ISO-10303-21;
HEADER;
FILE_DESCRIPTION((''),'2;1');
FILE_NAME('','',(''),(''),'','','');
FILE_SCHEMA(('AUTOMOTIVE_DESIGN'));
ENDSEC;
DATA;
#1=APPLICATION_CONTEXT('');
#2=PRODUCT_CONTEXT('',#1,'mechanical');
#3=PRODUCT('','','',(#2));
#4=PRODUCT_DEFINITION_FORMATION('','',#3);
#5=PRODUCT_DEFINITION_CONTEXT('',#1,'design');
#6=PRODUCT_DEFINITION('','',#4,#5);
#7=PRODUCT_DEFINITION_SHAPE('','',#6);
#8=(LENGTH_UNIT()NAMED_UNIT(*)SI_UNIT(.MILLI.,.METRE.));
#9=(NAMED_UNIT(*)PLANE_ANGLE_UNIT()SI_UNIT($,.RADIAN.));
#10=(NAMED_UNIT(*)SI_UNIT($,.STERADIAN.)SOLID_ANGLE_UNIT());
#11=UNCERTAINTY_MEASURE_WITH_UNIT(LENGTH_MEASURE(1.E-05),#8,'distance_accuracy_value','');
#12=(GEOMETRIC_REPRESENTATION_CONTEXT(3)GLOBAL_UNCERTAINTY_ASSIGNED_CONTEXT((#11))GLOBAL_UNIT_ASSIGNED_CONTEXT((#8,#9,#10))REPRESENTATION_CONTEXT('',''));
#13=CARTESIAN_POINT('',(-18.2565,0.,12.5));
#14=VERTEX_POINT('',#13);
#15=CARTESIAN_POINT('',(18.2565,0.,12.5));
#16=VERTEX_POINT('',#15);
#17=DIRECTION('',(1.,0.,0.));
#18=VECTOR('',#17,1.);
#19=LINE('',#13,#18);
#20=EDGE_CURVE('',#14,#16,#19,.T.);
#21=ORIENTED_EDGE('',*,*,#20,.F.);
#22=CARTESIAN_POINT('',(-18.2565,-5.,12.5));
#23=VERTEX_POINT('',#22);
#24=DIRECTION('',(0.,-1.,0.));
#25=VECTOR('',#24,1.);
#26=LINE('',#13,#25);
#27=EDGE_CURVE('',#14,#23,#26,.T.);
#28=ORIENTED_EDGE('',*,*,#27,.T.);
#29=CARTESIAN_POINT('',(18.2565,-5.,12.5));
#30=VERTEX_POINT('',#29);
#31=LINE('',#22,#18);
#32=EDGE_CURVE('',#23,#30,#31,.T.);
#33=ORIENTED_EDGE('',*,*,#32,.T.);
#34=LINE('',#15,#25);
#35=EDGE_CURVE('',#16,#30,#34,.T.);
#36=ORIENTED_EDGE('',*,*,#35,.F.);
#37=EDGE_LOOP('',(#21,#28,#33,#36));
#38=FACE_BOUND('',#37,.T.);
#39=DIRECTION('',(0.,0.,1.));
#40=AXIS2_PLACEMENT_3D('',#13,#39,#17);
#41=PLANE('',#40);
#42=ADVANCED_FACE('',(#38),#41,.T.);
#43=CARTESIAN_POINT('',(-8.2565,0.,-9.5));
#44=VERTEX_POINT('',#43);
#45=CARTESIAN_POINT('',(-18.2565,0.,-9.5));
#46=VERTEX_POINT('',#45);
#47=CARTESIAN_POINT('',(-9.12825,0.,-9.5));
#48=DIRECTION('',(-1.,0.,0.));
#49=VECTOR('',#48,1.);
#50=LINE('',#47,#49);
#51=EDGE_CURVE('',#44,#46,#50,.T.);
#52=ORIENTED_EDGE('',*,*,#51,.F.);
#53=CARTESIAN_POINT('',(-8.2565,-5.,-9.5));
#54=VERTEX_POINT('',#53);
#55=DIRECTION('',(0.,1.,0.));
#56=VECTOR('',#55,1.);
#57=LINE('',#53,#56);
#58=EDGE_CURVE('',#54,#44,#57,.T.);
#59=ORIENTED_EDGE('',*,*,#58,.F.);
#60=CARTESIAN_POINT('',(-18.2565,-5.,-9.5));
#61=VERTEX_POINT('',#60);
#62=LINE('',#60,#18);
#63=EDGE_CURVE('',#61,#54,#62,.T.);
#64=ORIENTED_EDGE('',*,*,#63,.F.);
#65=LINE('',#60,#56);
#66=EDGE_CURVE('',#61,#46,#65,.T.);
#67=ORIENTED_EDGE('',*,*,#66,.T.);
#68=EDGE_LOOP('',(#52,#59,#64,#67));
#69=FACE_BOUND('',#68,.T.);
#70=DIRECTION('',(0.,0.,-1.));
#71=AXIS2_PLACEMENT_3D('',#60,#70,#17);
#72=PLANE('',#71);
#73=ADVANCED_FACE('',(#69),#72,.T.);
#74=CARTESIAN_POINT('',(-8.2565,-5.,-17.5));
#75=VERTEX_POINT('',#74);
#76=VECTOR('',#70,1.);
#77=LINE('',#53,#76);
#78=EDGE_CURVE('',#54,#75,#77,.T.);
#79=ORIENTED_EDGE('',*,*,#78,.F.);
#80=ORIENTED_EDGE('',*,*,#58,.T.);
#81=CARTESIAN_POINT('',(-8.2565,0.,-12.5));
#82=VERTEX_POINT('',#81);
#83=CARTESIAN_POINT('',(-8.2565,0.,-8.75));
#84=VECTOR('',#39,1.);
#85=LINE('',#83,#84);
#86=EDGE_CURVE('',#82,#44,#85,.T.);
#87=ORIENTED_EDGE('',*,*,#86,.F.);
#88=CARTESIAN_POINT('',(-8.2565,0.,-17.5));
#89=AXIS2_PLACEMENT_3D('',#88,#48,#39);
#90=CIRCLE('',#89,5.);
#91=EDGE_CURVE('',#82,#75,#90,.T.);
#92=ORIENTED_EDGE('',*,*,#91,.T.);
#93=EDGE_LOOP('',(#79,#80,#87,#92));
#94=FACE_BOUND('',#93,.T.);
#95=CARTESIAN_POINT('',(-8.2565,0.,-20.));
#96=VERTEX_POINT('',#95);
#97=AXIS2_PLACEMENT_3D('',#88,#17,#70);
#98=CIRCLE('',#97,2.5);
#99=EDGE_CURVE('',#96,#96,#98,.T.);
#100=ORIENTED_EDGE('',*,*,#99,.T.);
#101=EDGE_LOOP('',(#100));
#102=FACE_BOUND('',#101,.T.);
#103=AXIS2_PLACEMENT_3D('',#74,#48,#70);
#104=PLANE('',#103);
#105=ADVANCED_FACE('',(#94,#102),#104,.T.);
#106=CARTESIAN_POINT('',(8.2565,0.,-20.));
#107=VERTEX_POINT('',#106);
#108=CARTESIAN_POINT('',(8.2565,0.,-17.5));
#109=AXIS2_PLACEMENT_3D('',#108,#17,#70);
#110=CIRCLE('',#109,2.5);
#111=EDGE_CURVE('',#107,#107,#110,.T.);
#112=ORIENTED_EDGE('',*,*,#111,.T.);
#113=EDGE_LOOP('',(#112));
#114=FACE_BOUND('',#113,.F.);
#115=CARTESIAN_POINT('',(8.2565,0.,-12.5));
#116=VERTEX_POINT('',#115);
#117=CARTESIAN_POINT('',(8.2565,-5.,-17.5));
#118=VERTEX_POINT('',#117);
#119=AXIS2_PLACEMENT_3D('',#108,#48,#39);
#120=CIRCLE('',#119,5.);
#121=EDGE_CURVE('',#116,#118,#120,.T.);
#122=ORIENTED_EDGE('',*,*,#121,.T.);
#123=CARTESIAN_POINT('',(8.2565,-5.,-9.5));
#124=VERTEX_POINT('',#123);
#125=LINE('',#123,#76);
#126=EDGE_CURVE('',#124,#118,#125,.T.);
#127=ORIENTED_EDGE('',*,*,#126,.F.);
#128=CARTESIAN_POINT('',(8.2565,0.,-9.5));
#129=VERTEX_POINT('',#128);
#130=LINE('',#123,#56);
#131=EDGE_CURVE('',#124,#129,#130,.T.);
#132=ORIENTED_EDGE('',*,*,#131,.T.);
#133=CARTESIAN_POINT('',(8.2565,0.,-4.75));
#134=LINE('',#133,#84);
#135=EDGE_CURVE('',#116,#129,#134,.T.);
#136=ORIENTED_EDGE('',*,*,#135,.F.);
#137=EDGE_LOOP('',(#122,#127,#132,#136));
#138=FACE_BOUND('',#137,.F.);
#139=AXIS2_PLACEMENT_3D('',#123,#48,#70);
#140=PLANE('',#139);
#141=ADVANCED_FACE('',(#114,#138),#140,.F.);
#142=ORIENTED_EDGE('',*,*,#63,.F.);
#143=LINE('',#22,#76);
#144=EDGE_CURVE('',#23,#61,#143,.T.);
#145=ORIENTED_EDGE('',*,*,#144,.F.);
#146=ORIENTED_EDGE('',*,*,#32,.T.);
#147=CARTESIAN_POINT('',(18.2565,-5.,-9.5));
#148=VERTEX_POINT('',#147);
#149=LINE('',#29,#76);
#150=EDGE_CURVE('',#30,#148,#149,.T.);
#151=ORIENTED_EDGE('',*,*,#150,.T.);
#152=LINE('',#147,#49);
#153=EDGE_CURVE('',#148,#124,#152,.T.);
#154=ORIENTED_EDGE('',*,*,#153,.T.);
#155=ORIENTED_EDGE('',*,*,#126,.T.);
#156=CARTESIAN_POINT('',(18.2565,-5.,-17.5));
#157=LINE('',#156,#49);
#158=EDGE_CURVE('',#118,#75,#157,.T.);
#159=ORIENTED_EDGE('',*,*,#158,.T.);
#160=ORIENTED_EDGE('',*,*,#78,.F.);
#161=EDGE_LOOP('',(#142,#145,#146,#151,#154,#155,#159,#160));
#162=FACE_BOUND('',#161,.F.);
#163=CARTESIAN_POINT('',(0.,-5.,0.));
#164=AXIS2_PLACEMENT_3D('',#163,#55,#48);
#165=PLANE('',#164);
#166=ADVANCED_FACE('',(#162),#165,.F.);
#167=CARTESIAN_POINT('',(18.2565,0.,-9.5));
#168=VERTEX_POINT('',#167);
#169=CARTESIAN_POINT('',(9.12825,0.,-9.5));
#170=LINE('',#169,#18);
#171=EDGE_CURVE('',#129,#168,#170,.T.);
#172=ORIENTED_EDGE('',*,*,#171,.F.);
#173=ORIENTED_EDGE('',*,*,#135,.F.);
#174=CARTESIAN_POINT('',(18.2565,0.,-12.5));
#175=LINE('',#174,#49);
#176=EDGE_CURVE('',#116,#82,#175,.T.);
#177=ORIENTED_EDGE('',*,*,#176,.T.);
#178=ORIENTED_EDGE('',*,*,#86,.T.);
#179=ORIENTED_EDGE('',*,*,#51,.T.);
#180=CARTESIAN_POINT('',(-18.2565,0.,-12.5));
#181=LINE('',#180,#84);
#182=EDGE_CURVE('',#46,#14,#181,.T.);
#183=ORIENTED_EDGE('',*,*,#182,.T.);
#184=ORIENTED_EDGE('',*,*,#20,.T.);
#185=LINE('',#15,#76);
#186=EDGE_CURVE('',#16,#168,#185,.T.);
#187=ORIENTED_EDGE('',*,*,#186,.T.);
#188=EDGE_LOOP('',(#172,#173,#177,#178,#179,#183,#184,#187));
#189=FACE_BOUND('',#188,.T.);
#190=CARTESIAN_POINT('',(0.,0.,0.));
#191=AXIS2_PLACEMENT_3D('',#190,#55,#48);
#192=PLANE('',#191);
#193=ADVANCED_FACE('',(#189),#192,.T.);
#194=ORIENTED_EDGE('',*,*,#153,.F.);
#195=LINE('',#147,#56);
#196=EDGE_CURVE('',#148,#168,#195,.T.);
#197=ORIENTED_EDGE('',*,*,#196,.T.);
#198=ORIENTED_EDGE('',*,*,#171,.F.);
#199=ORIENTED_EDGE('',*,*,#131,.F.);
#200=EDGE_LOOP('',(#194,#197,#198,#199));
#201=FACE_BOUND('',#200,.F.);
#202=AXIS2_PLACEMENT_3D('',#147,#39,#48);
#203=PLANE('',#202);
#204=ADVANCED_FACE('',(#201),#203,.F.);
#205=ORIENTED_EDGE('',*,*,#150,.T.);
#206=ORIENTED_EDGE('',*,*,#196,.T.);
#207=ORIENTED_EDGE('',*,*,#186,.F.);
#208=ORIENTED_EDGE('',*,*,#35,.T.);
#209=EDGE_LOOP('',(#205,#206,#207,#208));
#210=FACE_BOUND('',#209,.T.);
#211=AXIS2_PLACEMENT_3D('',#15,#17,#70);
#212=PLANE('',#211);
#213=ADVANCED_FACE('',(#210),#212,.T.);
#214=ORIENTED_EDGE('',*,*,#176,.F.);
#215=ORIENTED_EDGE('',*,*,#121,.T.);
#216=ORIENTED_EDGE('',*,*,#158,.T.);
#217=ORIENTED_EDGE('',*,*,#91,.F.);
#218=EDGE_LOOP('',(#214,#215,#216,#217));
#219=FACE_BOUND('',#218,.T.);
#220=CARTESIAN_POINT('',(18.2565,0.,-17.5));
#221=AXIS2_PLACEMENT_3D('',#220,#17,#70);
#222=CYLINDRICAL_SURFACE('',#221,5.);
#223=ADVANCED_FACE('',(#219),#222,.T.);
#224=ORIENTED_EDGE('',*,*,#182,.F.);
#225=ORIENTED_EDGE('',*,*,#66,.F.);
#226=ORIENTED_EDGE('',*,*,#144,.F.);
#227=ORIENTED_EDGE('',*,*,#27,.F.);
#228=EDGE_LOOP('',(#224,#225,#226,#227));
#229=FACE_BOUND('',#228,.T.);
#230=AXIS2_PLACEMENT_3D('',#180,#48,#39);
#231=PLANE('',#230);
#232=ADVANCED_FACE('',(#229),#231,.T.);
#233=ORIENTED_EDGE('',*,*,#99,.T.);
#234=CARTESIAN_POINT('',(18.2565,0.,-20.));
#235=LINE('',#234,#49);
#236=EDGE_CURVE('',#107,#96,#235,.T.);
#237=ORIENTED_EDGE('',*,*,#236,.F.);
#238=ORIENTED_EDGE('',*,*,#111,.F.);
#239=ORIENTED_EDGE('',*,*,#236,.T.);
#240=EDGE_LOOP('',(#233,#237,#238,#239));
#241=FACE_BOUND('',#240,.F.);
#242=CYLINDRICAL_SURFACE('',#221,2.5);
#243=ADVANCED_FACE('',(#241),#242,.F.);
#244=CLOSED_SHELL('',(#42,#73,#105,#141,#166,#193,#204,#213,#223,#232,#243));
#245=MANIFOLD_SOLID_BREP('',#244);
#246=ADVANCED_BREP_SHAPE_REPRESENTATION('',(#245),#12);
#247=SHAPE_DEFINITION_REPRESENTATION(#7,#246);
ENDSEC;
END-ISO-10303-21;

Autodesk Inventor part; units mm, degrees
ref_plane "YZ Plane" through (0, 0, 0) normal (1, 0, 0) x (0, 1, 0)
ref_plane "XZ Plane" through (0, 0, 0) normal (0, 1, 0) x (-1, 0, 0)
ref_plane "XY Plane" through (0, 0, 0) normal (0, 0, 1) x (1, 0, 0)
sketch "Sketch1" plane through (0, 0, 0) normal (0, 1, 0) x (-1, 0, 0)
  line L0 (-18.2565, -12.5) -> (18.2565, -12.5)
  line L1 (18.2565, -12.5) -> (18.2565, 12.5)
  line L2 (18.2565, 12.5) -> (-18.2565, 12.5)
  line L3 (-18.2565, 12.5) -> (-18.2565, -12.5)
  line L4 (-18.2565, -12.5) -> (18.2565, 12.5) construction
  line L5 (18.2565, -12.5) -> (-18.2565, 12.5) construction
  point P0 (0, 0)
  dimension "d0" = 36.513
  dimension "d1" = 25
extrude "Extrusion1" add sketch "Sketch1" against normal blind 5
sketch "Sketch2" plane through (18.2565, 0, 12.5) normal (1, 0, 0) x (0, 0, -1)
  circle A0 centre (30, 0) radius 5
  line L0 (25, 0) -> (25, -5) projected
  line L1 (25, -5) -> (0, -5) projected
  line L2 (0, -5) -> (25, -5) projected
  line L3 (25, -5) -> (30, -5)
  line L4 (30, -5) -> (30, 0)
  line L5 (30, 0) -> (25, 0)
  line L6 (25, 0) -> (25, -5)
  point P0 (12.5, 0)
  dimension "d4" = 5
  dimension "d5" = 10
  dimension "d6" = 5
extrude "Extrusion2" add sketch "Sketch2" against normal blind 36.513
sketch "Sketch3" plane through (18.2565, -5, 12.5) normal (1, 0, 0) x (0, 0, -1)
  circle A0 centre (30, 5) radius 2.5
  line L0 (0, 0) -> (30, 0) projected
  line L1 (0, 5) -> (0, 0) projected
  point P0 (12.5, 5)
  dimension "d9" = 5
  dimension "d10" = 30
  dimension "d11" = 5
extrude "Extrusion3" cut sketch "Sketch3" against normal blind 36.513
sketch "Sketch4" plane through (0, -5, 0) normal (0, -1, 0) x (1, 0, 0)
  line L0 (18.2565, 12.5) -> (18.2565, -17.5) projected
  line L1 (18.2565, -9.5) -> (8.2565, -9.5)
  line L2 (8.2565, -9.5) -> (8.2565, -22.5)
  line L3 (8.2565, -22.5) -> (18.2565, -22.5)
  line L4 (18.2565, -22.5) -> (18.2565, -9.5)
  line L5 (-18.2565, -9.5) -> (-8.2565, -9.5)
  line L6 (-8.2565, -9.5) -> (-8.2565, -22.5)
  line L7 (-8.2565, -22.5) -> (-18.2565, -22.5)
  line L8 (-18.2565, -22.5) -> (-18.2565, -9.5)
  line L9 (18.2565, -17.5) -> (-18.2565, -17.5) projected
  line L10 (-18.2565, 12.5) -> (-18.2565, -17.5) projected
  point P0 (0, 0)
  point P1 (18.2565, -17.5)
  dimension "d14" = 5
  dimension "d15" = 16.513
  dimension "d16" = 0
  dimension "d17" = 10
  dimension "d18" = 13
extrude "Extrusion4" cut sketch "Sketch4" against normal blind 36.513
properties part number "hinge 2" material "Stainless Steel"
